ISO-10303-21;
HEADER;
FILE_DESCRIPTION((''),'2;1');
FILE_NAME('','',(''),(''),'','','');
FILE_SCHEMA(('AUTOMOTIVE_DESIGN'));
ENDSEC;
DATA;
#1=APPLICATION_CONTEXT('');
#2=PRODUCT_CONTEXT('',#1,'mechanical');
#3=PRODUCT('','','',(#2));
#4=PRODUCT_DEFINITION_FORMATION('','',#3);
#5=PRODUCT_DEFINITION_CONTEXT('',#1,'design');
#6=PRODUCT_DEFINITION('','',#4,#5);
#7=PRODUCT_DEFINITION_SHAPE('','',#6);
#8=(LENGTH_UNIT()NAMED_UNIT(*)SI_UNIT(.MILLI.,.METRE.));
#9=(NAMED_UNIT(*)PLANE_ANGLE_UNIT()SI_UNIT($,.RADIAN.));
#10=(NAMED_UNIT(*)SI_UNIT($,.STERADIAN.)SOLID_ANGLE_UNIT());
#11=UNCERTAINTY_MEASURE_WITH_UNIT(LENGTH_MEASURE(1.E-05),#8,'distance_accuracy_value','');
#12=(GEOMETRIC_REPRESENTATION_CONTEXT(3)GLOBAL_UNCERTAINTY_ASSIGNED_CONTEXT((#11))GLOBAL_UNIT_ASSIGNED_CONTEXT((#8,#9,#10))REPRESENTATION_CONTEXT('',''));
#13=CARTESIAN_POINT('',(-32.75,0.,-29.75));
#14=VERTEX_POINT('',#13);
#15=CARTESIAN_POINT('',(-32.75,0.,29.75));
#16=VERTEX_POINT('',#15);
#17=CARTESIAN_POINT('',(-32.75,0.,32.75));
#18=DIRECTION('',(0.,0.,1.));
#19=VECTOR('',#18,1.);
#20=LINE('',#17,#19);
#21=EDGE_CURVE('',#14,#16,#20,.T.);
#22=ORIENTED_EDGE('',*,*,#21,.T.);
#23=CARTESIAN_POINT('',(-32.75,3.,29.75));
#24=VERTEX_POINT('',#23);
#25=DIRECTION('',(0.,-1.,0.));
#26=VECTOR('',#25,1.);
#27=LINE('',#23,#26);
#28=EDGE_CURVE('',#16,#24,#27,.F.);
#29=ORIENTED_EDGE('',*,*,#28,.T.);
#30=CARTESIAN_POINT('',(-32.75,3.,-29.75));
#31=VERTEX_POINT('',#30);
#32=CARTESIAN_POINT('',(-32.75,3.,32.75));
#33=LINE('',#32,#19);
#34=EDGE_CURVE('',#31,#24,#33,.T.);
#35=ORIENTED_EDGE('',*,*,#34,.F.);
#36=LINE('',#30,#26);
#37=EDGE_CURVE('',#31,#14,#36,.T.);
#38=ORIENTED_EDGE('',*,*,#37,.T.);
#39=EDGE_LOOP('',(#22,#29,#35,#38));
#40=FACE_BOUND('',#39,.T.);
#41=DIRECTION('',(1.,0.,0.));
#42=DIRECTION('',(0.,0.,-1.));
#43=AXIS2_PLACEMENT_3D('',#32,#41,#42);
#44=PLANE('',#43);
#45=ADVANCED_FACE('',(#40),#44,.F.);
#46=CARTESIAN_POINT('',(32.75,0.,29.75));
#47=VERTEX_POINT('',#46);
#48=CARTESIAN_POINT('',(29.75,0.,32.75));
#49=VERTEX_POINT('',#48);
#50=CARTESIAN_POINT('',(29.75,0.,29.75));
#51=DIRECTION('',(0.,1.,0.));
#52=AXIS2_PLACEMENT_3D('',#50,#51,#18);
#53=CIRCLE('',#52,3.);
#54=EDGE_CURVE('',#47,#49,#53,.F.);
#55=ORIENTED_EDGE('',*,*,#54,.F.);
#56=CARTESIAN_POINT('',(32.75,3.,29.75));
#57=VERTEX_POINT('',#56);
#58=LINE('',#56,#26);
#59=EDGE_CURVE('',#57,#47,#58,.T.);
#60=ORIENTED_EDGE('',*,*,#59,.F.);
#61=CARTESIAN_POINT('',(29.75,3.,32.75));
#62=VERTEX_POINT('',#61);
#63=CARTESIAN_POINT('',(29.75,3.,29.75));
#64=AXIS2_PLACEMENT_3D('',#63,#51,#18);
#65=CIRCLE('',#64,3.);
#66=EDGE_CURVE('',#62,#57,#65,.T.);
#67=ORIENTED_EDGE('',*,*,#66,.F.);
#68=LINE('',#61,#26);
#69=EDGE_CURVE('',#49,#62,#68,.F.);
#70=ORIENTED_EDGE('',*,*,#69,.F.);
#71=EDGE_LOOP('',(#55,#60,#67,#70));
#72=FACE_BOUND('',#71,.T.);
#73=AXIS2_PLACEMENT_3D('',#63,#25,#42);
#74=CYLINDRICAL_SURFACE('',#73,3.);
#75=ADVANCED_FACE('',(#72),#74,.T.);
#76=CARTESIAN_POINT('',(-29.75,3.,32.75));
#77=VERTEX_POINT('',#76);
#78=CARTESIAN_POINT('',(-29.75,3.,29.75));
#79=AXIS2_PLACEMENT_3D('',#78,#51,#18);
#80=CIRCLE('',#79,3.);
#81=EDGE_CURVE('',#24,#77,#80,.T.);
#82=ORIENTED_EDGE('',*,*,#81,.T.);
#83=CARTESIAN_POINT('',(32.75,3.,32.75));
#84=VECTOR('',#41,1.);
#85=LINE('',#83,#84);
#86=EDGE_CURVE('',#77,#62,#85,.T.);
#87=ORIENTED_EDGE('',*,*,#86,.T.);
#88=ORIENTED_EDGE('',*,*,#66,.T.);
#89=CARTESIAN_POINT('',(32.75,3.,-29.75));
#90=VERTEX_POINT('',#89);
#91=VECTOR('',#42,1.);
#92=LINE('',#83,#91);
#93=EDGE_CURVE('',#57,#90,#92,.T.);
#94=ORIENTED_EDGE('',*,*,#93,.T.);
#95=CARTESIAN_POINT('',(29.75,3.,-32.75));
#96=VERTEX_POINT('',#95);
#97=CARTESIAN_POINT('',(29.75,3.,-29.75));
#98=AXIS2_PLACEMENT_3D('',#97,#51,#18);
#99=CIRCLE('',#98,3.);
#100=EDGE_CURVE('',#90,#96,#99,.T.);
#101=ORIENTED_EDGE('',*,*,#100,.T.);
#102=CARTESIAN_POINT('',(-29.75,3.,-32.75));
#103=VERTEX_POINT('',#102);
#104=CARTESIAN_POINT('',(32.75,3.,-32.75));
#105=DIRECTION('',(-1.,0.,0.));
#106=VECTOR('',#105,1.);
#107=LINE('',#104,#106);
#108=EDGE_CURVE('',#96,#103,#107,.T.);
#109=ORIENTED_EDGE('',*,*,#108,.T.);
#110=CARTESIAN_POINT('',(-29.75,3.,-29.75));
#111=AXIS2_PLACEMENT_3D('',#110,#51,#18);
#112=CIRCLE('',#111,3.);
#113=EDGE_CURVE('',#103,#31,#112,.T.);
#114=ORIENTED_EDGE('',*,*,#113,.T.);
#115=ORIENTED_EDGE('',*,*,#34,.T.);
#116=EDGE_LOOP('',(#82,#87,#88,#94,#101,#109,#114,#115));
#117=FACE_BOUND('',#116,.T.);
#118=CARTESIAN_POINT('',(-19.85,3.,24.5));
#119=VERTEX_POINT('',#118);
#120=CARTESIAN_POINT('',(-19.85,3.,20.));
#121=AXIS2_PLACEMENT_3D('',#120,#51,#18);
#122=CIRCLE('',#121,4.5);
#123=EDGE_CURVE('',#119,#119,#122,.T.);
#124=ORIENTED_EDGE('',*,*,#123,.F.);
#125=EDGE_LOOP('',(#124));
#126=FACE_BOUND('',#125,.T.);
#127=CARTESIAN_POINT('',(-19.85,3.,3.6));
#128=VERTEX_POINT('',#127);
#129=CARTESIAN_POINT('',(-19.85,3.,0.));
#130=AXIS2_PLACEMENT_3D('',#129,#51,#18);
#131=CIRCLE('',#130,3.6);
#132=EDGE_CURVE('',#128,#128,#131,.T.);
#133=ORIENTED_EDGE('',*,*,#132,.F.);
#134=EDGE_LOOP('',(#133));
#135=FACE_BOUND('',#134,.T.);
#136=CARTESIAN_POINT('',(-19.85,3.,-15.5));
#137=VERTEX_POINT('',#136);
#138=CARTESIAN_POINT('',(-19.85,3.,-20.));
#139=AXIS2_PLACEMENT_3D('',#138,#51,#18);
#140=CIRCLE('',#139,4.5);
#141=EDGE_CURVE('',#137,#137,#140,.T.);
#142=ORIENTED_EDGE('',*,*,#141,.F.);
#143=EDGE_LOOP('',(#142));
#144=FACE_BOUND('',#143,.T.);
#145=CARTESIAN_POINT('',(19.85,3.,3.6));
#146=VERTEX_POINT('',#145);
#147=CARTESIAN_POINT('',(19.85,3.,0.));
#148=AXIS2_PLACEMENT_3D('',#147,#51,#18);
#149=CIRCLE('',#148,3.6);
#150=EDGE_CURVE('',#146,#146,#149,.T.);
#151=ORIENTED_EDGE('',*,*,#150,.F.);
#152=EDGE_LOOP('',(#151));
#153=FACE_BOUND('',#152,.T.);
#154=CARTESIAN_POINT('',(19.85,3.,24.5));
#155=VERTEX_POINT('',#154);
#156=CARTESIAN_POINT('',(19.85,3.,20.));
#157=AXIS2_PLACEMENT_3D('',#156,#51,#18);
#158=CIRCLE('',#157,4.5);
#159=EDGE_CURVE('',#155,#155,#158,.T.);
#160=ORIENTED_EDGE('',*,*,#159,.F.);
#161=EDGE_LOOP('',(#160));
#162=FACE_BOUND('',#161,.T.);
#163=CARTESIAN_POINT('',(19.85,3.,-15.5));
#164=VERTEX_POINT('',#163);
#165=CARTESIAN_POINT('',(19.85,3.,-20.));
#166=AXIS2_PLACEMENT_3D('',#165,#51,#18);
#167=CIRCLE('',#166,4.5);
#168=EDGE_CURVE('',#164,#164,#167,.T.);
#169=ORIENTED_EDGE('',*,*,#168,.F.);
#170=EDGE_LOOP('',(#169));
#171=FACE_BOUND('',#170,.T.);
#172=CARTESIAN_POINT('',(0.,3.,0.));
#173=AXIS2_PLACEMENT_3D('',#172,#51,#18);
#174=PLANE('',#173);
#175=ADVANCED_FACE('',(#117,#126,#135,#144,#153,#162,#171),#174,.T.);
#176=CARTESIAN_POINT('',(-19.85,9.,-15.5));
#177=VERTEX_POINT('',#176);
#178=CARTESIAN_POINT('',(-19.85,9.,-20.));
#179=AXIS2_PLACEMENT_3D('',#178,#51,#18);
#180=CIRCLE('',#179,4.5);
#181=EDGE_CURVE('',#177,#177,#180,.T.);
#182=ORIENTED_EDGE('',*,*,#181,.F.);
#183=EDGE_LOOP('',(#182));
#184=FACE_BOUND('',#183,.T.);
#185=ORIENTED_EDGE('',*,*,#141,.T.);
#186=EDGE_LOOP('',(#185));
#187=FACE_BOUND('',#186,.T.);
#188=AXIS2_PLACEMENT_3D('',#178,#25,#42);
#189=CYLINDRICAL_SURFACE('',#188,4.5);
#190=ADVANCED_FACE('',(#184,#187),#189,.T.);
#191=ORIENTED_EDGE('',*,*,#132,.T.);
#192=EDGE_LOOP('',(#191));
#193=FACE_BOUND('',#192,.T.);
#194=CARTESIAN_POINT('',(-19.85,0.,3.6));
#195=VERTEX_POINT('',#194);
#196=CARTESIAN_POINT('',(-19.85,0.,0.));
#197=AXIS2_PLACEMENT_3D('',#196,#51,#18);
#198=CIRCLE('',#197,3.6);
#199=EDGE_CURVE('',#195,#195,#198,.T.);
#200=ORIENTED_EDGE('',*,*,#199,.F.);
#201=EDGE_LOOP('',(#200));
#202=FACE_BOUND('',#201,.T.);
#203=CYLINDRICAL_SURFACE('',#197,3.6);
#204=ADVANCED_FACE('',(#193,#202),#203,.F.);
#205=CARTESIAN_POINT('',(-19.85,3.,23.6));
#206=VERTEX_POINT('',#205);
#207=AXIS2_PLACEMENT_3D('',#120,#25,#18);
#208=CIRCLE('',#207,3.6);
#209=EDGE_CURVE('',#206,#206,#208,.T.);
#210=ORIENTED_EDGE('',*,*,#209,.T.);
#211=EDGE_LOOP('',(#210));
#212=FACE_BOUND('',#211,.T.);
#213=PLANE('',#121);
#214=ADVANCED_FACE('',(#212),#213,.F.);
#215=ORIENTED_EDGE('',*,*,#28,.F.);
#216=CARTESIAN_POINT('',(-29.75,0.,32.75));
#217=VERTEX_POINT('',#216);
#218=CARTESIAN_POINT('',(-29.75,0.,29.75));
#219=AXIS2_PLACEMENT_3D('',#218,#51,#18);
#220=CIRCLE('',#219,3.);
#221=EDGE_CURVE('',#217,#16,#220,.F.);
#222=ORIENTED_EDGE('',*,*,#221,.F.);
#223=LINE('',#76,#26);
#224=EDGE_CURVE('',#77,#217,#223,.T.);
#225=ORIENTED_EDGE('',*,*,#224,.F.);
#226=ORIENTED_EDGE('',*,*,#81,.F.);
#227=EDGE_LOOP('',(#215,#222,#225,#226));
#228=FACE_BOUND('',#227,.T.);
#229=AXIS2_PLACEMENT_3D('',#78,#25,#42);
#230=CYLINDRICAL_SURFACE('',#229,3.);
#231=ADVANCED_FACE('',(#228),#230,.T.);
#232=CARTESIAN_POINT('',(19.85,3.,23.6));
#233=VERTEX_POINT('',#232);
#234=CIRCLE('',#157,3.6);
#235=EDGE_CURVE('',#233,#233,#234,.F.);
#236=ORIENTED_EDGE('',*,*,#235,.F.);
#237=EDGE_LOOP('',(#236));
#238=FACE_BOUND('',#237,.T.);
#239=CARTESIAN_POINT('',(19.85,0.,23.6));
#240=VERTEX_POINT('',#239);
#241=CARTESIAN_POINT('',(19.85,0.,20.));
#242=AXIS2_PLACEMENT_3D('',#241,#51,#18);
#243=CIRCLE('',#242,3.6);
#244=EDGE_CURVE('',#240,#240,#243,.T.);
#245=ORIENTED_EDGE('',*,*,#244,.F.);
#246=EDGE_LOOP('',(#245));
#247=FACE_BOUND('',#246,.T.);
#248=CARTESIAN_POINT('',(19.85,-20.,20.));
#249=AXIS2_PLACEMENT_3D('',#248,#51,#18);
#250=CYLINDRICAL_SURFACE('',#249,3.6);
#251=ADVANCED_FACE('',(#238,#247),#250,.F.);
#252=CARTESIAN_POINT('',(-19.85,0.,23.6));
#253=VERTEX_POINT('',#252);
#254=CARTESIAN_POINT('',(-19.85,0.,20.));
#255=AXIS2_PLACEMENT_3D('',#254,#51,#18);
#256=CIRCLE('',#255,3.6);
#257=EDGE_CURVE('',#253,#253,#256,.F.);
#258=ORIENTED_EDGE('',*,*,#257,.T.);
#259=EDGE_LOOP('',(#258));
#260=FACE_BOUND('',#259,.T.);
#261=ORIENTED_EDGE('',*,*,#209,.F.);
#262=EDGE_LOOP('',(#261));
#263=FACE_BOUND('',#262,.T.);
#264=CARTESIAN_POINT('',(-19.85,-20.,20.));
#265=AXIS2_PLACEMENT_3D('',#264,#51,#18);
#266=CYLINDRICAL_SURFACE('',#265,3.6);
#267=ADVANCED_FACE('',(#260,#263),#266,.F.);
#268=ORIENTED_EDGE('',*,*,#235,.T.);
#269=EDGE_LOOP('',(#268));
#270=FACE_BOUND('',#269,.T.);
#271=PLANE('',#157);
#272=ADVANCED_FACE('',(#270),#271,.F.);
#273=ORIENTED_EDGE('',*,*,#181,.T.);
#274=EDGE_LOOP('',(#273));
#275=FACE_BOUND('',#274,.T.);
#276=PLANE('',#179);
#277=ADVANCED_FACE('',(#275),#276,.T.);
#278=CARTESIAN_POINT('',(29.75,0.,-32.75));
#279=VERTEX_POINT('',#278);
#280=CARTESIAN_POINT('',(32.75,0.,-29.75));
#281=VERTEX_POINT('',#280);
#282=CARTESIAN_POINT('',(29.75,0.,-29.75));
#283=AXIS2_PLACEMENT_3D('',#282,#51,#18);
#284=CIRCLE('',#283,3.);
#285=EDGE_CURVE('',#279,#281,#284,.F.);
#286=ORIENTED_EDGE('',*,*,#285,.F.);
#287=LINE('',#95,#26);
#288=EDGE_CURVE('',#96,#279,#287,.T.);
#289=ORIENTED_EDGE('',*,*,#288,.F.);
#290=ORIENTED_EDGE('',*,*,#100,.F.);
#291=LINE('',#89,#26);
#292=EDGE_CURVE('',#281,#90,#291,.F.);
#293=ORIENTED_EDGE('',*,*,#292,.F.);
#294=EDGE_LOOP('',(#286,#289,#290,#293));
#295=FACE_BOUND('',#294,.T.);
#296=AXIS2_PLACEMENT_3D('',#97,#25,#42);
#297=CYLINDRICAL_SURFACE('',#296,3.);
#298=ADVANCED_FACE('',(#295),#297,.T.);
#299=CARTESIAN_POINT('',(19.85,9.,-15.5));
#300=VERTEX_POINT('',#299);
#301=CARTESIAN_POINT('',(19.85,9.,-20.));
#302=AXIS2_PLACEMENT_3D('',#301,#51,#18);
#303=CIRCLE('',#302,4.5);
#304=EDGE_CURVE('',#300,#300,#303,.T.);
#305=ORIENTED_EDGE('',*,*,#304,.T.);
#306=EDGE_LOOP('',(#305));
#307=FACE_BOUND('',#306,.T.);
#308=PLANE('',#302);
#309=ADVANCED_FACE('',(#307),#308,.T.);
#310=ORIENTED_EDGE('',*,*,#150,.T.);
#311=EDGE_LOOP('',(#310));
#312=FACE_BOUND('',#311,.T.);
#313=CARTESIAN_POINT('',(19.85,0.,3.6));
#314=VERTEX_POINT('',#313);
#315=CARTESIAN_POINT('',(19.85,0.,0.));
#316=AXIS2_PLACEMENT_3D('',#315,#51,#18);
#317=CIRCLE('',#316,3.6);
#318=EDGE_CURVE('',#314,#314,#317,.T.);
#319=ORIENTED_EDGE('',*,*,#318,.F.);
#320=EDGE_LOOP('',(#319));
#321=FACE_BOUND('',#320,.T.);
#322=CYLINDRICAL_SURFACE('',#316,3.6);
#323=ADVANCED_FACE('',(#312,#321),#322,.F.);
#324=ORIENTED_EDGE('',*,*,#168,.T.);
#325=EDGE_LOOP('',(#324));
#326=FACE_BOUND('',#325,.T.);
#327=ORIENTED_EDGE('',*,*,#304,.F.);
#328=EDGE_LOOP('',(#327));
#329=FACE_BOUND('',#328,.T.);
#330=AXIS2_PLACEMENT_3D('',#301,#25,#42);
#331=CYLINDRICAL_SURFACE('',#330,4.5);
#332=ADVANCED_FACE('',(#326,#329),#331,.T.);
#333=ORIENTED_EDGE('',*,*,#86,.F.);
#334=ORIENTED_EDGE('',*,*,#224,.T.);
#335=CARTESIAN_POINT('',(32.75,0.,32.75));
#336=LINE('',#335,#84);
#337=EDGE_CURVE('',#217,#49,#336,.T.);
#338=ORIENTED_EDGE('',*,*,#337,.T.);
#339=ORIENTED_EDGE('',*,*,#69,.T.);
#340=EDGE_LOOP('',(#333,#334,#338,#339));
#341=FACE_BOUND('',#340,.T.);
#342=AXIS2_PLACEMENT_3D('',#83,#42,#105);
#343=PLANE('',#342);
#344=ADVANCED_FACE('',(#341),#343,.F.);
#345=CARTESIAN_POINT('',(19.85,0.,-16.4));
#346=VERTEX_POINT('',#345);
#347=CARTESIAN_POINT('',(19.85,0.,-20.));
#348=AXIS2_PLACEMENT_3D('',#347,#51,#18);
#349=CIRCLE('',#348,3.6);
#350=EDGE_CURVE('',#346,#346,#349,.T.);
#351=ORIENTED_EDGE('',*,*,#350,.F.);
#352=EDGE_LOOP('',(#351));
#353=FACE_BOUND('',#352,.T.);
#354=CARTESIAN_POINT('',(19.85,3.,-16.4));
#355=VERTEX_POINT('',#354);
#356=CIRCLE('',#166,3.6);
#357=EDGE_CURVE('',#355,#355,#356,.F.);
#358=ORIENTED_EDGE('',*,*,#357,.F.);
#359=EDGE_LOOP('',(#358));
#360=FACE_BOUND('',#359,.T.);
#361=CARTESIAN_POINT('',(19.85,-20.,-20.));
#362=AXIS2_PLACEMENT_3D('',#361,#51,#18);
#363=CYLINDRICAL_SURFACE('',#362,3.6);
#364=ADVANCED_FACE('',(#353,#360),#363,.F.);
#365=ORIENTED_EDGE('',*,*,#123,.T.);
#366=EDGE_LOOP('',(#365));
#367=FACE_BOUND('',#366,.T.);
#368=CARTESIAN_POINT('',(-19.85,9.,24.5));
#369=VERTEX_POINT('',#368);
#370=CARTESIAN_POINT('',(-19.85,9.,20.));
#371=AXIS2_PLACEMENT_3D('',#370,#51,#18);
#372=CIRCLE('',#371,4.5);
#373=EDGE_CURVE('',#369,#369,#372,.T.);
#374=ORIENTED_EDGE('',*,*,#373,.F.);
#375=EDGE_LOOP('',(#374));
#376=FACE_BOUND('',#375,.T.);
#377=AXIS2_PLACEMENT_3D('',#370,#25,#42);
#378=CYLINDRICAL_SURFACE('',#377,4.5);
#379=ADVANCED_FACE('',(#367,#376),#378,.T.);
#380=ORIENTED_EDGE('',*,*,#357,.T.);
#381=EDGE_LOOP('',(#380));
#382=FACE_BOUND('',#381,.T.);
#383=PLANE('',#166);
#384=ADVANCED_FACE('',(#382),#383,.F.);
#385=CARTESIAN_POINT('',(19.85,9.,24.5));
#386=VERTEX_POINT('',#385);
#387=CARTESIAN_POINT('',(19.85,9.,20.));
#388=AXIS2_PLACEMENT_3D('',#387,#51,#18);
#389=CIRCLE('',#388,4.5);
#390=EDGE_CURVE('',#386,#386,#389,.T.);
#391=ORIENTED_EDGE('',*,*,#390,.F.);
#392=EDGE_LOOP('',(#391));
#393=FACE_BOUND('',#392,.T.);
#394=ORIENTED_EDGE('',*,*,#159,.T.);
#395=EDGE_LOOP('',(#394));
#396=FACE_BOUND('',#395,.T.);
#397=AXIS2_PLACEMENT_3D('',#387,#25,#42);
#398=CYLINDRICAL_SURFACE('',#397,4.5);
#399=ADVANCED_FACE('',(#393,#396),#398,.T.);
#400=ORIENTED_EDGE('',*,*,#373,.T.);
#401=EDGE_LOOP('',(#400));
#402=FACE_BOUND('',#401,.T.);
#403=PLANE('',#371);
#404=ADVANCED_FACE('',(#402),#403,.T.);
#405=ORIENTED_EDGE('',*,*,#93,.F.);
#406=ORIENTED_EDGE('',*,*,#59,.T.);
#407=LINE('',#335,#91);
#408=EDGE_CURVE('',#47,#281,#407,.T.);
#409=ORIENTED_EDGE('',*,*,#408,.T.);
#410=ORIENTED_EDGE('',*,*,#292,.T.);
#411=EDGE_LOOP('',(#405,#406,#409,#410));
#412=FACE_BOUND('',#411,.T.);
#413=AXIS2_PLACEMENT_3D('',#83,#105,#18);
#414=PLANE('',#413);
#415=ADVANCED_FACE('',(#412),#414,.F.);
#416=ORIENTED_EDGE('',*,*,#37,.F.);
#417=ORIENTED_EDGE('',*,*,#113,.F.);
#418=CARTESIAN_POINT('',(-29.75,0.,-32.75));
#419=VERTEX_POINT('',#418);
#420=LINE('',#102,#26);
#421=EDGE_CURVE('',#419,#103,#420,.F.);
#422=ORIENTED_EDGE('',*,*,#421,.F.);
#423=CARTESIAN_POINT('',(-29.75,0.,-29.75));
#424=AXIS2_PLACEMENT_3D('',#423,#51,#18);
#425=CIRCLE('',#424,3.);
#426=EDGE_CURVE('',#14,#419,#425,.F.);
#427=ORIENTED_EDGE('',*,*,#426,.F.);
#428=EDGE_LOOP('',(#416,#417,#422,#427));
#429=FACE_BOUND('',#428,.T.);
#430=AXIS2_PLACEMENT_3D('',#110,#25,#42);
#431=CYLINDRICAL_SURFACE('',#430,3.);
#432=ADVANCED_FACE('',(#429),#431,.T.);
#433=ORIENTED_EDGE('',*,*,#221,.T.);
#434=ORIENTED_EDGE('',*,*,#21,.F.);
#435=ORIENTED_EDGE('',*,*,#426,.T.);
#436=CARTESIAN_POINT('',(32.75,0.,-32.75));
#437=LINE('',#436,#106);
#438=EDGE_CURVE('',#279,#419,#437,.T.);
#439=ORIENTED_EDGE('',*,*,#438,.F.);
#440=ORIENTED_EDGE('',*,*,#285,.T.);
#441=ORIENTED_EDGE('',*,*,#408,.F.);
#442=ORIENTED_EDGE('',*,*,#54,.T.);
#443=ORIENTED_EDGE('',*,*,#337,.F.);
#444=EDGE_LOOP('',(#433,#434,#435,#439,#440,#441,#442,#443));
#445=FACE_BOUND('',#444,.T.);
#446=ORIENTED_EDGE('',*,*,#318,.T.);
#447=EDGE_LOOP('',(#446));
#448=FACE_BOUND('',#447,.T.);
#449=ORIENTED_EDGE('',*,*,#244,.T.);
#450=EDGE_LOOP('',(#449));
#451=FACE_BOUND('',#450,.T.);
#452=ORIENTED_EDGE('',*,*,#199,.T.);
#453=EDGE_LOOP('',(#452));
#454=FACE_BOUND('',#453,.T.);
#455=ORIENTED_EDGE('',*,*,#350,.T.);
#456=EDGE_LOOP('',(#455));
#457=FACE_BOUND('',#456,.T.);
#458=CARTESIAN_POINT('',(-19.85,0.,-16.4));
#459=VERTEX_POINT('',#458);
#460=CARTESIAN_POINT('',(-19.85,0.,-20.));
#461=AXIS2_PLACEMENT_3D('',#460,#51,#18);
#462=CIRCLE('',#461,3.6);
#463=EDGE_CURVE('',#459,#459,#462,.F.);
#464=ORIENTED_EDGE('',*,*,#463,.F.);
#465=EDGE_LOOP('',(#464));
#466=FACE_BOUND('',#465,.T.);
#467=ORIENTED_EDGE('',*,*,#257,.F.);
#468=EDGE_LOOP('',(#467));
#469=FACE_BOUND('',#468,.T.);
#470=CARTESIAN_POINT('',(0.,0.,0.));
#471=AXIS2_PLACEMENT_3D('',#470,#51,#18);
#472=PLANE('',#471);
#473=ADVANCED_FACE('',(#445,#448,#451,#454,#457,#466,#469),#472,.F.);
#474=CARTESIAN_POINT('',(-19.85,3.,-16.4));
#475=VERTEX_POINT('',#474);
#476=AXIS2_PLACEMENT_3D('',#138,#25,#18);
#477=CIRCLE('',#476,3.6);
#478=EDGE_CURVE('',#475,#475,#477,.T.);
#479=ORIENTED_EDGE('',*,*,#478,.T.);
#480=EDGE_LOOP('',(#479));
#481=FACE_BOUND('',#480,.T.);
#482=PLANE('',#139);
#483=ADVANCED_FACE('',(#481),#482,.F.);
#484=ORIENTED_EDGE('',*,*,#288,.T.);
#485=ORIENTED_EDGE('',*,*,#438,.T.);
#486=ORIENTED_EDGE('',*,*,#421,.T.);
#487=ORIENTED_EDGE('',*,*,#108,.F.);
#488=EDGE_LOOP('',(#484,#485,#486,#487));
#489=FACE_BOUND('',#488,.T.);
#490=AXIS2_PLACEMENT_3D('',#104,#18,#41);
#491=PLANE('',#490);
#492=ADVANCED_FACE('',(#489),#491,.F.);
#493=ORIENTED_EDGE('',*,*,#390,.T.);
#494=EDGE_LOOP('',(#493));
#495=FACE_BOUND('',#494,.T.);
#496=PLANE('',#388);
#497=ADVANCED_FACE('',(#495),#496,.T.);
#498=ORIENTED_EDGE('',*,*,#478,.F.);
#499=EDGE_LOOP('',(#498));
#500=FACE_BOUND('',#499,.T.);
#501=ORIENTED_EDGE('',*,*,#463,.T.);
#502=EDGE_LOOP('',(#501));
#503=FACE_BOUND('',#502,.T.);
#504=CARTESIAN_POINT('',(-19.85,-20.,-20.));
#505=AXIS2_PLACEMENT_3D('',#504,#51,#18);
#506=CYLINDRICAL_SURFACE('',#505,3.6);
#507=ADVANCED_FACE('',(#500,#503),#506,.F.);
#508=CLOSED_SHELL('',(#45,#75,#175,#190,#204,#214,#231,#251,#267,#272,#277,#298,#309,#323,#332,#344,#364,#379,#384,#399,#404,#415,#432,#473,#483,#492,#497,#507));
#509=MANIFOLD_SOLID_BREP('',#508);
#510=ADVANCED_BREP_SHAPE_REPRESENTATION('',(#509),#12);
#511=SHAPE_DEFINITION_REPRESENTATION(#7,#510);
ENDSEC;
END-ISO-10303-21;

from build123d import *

# Parameters (mm, degrees)
SKETCH1_W               = 65.5
SKETCH1_H               = 65.5
BOSS_EXTRUDE1_DEPTH     = 3
FILLET1_R               = 3
SKETCH2_R               = 3.6
CUT_EXTRUDE1_DEPTH      = 23
SKETCH3_R               = 4.5
BOSS_EXTRUDE2_DEPTH     = 6
SKETCH4_R               = 3.6
CUT_EXTRUDE2_DEPTH      = 7
CUT_EXTRUDE2_DEPTH_BACK = 4


with BuildPart() as part:
    # Sketch1 → Boss-Extrude1 (new body)
    with BuildSketch(Plane(origin=(0, 0, 0), x_dir=(1, 0, 0), z_dir=(0, 1, 0))):
        Rectangle(SKETCH1_W, SKETCH1_H)
    extrude(amount=BOSS_EXTRUDE1_DEPTH)

    # Fillet1
    fillet1_edges = [part.edges().sort_by_distance(p)[0] for p in [
        (-32.75, 1.5, -32.75),
        (32.75, 1.5, -32.75),
        (32.75, 1.5, 32.75),
        (-32.75, 1.5, 32.75),
    ]]
    fillet(fillet1_edges, radius=FILLET1_R)

    # Sketch2 → Cut-Extrude1 (cut)
    with BuildSketch(Plane(origin=(0, 3, 0), x_dir=(1, 0, 0), z_dir=(0, 1, 0))):
        with Locations((19.85, -20)):
            Circle(SKETCH2_R)
        with Locations((19.85, 20)):
            Circle(SKETCH2_R)
    cut_extrude1 = extrude(amount=-CUT_EXTRUDE1_DEPTH, mode=Mode.SUBTRACT)

    # Mirror1: Cut-Extrude1 across plane
    add(cut_extrude1.mirror(Plane(origin=(0, 0, 0), x_dir=(0, 0, 1), z_dir=(1, 0, 0))), mode=Mode.SUBTRACT)

    # Sketch3 → Boss-Extrude2 (add)
    with BuildSketch(Plane(origin=(0, 3, 0), x_dir=(1, 0, 0), z_dir=(0, 1, 0))):
        with Locations((19.85, -20)):
            Circle(SKETCH3_R)
        with Locations((19.85, 20)):
            Circle(SKETCH3_R)
        with Locations((-19.85, 20)):
            Circle(SKETCH3_R)
        with Locations((-19.85, -20)):
            Circle(SKETCH3_R)
    extrude(amount=BOSS_EXTRUDE2_DEPTH)

    # Sketch4 → Cut-Extrude2 (cut, two sides)
    with BuildSketch(Plane(origin=(0, 3, 0), x_dir=(1, 0, 0), z_dir=(0, 1, 0))) as cut_extrude2_sk:
        with Locations((19.85, 0)):
            Circle(SKETCH4_R)
        with Locations((-19.85, 0)):
            Circle(SKETCH4_R)
    extrude(amount=CUT_EXTRUDE2_DEPTH, mode=Mode.SUBTRACT)
    extrude(cut_extrude2_sk.sketch, amount=-CUT_EXTRUDE2_DEPTH_BACK, mode=Mode.SUBTRACT)


solid = part.part
